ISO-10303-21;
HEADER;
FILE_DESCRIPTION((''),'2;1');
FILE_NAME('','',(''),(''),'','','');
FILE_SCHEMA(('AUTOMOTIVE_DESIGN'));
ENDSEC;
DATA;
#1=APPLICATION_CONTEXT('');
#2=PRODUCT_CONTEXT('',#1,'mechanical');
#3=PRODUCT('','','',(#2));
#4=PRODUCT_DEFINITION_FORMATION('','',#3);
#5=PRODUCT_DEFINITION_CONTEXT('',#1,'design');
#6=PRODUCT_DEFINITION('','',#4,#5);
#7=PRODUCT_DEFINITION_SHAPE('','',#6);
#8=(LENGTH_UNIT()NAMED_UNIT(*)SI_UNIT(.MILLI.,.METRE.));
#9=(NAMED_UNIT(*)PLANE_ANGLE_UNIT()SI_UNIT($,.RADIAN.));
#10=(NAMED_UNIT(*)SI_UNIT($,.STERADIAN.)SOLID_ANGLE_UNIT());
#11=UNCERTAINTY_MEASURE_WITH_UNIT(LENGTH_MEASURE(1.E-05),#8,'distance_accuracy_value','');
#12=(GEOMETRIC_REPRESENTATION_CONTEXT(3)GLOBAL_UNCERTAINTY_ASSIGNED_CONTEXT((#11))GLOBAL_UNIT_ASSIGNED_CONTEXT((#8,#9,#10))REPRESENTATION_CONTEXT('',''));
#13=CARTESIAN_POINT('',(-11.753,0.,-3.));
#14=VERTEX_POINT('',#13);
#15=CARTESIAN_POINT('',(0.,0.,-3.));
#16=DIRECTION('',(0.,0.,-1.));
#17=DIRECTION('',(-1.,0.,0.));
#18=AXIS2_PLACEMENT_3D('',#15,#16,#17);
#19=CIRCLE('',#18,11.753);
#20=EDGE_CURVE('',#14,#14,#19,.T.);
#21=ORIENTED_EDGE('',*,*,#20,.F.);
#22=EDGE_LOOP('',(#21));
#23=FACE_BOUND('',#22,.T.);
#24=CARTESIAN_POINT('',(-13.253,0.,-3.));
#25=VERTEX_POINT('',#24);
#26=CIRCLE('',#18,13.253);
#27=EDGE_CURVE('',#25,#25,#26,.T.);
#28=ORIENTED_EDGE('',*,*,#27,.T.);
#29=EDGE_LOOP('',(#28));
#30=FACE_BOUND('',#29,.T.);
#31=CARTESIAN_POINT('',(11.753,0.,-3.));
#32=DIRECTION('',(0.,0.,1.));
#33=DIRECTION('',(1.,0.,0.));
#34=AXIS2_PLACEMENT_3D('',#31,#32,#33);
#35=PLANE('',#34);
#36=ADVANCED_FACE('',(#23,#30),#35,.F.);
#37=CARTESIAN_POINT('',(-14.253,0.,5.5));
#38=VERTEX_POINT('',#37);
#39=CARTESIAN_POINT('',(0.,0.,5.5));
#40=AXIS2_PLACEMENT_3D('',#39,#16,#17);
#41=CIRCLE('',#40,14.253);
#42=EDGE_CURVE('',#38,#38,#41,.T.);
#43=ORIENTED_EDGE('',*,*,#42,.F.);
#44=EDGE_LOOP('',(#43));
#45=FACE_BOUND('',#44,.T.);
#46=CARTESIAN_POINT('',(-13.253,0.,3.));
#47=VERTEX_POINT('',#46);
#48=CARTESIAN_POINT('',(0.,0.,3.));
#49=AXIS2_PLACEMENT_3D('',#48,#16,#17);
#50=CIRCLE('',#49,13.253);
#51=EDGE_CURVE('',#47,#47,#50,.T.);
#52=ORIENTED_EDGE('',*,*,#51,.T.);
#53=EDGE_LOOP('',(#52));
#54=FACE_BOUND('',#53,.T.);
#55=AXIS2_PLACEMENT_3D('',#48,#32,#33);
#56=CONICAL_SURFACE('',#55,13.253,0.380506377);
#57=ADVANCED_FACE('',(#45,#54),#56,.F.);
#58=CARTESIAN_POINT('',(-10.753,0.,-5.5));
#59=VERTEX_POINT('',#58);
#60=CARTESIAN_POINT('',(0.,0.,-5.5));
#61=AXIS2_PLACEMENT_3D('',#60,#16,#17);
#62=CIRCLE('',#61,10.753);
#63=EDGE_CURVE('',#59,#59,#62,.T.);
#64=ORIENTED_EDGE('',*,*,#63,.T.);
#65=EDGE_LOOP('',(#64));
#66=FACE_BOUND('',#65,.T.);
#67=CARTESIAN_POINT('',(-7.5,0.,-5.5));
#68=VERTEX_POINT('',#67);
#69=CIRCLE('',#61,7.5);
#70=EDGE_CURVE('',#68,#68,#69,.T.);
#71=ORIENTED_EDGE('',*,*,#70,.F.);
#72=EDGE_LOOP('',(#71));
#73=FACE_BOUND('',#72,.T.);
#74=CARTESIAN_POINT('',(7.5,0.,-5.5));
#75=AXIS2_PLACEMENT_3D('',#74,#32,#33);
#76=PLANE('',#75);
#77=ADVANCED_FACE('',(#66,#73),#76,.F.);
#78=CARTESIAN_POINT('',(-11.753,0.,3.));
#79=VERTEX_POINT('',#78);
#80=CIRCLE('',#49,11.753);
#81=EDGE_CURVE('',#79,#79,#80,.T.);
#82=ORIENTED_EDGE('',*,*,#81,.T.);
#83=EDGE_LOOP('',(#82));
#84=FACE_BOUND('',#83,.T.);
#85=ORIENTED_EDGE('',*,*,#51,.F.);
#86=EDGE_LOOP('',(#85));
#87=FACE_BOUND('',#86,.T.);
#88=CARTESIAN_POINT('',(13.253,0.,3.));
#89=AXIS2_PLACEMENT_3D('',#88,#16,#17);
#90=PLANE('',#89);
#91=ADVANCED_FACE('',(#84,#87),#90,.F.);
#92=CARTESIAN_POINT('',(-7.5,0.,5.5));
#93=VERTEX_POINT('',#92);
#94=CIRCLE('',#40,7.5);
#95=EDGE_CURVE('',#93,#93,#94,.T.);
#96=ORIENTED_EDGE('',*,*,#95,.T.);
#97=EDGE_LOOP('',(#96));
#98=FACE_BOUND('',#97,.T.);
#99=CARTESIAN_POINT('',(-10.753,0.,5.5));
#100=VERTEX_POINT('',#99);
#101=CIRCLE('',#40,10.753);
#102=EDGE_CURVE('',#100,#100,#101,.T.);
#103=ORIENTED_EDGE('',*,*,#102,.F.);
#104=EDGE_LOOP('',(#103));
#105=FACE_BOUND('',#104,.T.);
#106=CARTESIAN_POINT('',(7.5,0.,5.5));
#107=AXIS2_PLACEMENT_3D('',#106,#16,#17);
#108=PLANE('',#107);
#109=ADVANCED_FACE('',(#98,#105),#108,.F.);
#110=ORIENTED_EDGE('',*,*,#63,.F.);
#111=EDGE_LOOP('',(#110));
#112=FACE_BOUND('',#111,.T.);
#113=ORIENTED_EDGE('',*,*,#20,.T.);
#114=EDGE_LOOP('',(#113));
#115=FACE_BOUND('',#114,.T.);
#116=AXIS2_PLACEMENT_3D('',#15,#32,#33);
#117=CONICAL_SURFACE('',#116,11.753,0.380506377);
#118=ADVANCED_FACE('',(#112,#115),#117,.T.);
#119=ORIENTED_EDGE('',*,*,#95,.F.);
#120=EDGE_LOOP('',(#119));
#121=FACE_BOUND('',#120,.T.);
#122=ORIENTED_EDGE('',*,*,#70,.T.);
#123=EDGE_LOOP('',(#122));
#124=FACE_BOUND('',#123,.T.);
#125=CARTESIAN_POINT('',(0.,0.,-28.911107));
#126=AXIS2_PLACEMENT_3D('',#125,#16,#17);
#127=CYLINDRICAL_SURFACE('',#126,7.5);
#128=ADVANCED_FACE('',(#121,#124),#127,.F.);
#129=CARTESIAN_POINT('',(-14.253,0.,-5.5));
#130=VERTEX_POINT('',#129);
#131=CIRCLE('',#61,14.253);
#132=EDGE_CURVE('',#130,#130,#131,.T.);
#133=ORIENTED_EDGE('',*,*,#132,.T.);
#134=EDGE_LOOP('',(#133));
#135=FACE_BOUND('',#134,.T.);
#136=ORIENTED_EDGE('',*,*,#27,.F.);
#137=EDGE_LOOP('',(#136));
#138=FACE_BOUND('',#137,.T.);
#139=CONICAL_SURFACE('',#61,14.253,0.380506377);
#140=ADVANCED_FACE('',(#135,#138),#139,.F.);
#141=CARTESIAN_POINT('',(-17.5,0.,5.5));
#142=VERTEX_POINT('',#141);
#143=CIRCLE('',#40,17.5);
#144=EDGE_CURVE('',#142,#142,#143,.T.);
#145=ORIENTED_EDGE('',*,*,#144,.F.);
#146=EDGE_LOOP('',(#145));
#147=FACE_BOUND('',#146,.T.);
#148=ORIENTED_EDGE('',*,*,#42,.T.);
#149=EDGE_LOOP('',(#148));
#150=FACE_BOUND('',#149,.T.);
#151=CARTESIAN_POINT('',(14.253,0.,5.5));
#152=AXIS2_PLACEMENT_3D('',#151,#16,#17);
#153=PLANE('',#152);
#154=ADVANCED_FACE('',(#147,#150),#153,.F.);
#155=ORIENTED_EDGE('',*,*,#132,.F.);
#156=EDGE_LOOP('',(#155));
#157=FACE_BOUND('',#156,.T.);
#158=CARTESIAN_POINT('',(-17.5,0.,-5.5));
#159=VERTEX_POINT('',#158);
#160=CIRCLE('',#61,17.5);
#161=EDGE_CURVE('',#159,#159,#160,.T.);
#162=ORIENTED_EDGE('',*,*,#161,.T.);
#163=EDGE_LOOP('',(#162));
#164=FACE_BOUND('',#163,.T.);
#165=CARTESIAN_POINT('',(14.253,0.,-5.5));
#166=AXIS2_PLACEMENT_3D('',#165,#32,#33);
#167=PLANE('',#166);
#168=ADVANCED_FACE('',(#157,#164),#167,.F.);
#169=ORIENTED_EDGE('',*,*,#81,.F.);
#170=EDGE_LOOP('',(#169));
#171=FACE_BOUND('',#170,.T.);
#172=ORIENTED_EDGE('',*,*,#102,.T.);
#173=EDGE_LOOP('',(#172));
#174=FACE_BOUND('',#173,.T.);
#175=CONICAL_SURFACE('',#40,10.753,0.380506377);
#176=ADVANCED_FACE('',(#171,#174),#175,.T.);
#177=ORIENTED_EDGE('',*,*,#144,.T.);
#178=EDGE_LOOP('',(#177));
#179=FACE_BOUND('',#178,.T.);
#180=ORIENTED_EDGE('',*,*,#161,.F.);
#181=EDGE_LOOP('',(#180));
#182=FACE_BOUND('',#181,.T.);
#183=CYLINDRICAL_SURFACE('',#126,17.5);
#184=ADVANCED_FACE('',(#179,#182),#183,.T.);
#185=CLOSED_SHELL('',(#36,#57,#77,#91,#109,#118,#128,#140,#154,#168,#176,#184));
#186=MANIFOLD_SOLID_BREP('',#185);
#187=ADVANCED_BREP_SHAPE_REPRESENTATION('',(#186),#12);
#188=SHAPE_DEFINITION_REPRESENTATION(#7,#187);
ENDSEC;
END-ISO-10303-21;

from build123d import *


with BuildPart() as part:
    # Sketch1 → Revolve1 (revolve)
    with BuildSketch(Plane(origin=(0, 0, 0), x_dir=(1, 0, 0), z_dir=(0, 1, 0)), mode=Mode.PRIVATE) as revolve1_sk:
        Polygon((10.753, 5.5), (11.753, 3), (13.253, 3), (14.253, 5.5), (17.5, 5.5), (17.5, -5.5), (14.253, -5.5), (13.253, -3), (11.753, -3), (10.753, -5.5), (7.5, -5.5), (7.5, 5.5), align=None)
    revolve(revolve1_sk.sketch.rotate(Axis((0, 0, -28.911106653), (0, 0, 1)), 180), axis=Axis((0, 0, -28.911106653), (0, 0, 1)))


solid = part.part
